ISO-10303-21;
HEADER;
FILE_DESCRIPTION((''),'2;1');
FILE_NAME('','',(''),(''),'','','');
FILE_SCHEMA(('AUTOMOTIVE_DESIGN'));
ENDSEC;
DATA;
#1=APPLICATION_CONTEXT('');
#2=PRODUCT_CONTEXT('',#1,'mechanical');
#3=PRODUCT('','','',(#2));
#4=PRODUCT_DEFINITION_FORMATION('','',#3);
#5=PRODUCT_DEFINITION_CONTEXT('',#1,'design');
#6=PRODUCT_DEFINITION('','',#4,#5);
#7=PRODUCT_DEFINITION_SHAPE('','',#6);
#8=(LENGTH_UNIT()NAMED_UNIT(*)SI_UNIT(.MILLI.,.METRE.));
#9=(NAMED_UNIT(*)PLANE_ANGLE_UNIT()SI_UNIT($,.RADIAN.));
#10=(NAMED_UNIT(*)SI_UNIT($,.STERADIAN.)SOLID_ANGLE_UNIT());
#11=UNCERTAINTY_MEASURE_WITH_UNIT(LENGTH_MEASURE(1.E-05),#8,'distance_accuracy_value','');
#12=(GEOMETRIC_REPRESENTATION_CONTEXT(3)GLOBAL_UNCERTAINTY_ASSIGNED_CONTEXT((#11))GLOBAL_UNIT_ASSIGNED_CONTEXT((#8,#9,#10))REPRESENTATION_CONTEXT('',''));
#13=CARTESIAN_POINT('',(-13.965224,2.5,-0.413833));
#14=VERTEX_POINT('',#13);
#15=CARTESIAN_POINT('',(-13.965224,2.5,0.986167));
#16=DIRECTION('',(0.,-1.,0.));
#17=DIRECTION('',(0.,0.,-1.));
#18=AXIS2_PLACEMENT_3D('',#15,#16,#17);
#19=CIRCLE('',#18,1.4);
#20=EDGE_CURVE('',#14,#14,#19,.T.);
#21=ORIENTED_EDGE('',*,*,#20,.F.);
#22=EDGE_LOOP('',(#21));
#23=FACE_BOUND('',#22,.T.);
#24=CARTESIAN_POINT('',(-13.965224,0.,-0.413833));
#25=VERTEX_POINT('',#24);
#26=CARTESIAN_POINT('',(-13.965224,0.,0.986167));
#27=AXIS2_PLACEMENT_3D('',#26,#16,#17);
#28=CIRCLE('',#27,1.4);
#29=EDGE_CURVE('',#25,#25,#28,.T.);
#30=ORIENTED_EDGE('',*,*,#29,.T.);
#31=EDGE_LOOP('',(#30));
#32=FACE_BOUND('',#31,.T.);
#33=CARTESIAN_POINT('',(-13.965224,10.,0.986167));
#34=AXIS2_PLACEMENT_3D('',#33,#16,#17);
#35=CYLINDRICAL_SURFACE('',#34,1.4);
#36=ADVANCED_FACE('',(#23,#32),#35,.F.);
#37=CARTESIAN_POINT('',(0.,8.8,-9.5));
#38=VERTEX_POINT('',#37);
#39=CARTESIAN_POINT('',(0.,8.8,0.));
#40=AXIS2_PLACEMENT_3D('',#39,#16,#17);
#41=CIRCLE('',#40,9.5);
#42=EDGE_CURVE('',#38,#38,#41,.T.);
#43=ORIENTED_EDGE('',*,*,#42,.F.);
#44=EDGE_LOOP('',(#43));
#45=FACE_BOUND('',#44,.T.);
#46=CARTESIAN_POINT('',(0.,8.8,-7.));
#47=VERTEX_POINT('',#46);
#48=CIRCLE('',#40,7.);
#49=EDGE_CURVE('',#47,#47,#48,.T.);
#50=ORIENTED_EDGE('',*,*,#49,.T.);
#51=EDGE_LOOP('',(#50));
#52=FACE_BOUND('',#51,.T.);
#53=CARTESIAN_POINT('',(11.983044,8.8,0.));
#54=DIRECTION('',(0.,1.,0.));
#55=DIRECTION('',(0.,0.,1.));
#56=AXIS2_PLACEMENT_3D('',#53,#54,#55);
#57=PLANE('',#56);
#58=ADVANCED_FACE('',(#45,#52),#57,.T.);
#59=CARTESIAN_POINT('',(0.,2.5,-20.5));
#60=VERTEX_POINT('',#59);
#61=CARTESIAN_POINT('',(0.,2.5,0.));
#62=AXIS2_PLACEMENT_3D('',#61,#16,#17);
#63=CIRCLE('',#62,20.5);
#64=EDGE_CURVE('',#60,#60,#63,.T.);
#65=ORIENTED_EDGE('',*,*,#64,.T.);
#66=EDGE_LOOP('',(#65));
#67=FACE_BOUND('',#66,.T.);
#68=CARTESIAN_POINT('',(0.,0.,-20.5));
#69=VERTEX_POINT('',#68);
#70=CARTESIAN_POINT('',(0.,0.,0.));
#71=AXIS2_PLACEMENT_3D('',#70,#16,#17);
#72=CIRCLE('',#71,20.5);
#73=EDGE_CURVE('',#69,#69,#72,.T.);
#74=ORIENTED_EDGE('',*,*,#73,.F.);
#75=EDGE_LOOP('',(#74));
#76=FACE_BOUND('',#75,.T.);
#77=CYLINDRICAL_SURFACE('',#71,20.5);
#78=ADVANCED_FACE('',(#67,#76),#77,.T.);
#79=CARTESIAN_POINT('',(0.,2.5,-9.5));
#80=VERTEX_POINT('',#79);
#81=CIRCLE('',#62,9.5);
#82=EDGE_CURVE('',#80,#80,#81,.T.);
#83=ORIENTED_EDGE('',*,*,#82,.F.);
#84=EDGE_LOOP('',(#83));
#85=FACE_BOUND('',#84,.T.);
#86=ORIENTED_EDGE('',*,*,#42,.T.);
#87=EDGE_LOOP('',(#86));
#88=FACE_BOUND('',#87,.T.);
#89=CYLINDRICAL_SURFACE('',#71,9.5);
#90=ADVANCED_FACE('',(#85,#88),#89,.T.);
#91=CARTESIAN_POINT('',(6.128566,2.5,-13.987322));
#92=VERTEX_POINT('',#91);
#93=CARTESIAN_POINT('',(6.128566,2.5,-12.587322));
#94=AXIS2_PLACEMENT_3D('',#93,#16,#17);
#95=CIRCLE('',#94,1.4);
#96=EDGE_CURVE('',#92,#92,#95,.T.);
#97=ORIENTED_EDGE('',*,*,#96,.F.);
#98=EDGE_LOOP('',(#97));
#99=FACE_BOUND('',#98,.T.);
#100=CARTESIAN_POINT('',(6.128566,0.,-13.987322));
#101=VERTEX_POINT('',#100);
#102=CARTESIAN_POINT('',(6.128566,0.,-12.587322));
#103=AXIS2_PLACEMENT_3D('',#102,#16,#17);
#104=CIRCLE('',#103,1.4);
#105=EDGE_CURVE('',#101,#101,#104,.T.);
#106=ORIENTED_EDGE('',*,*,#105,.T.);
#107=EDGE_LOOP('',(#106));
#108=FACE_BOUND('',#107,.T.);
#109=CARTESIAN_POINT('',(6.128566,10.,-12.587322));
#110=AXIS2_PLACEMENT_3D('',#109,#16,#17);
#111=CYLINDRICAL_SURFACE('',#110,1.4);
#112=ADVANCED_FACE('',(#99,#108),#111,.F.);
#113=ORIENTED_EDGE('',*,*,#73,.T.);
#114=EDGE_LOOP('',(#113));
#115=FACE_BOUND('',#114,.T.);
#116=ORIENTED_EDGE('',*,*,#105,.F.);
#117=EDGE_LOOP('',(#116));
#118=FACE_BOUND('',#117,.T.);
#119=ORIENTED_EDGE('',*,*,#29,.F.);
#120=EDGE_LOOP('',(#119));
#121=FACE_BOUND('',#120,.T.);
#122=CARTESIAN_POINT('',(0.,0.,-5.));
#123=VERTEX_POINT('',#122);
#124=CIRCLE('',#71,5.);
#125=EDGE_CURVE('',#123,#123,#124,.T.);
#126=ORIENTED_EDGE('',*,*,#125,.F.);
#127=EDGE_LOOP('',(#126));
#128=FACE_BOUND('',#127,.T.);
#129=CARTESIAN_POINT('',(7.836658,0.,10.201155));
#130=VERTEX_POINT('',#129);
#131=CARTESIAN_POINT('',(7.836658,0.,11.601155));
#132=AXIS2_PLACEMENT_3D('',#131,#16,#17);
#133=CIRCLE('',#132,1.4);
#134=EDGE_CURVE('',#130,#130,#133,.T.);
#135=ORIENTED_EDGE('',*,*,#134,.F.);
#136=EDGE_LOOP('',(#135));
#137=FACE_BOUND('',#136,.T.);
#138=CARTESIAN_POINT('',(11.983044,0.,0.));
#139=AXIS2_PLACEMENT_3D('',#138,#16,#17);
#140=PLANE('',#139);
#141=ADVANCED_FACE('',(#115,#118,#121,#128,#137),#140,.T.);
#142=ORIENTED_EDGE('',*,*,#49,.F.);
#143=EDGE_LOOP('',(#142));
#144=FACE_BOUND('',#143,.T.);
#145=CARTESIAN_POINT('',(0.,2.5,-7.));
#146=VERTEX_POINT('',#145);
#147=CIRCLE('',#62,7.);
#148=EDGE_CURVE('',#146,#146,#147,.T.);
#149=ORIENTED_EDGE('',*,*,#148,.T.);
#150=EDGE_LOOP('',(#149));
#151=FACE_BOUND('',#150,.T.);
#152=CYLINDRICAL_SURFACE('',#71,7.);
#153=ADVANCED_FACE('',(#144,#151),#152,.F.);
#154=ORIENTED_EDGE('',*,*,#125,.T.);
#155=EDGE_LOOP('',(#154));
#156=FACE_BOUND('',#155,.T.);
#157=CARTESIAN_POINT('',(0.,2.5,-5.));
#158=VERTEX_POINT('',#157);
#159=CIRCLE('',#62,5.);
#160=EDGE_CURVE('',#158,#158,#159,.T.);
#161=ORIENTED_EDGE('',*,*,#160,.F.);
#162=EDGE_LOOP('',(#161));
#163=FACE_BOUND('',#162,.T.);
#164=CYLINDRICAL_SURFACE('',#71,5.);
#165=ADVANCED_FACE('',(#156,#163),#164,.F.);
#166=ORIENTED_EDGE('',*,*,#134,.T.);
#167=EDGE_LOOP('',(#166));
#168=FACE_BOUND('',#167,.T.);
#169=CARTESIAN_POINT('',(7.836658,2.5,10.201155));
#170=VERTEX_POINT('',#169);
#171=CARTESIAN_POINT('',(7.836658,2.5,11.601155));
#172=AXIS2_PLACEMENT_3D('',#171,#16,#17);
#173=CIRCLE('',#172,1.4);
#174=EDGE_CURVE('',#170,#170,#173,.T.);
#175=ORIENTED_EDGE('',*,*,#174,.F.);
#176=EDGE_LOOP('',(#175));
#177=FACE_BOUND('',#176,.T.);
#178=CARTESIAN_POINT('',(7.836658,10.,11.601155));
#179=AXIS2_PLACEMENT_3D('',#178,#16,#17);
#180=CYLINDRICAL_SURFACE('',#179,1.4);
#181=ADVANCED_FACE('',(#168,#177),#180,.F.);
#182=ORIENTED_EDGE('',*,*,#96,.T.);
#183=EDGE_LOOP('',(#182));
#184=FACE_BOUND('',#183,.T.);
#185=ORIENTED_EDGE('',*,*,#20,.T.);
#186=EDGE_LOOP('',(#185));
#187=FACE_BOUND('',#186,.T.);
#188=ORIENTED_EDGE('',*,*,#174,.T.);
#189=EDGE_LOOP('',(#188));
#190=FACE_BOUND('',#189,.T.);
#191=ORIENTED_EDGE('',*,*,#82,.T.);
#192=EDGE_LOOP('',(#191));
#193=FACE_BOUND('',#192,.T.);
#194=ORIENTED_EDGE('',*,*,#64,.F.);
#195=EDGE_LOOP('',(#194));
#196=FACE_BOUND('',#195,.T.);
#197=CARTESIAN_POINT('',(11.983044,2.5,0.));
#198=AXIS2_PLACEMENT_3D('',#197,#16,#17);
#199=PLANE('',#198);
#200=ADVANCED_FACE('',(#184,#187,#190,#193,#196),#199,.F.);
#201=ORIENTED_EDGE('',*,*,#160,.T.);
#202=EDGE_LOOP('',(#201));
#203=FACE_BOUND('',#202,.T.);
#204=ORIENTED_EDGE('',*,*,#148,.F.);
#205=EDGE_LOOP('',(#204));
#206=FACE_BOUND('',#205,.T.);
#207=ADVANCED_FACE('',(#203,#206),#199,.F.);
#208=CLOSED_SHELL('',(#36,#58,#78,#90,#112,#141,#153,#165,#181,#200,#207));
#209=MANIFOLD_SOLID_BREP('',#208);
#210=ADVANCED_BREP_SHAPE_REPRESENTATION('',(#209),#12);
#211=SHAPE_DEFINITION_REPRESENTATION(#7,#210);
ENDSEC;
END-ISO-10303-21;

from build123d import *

# Parameters (mm, degrees)
ESQUISSE1_W      = 15.5
ESQUISSE1_H      = 2.5
ESQUISSE1_W_2    = 2.5
ESQUISSE1_H_2    = 6.3
ESQUISSE2_R      = 1.4
EXTRUSION1_DEPTH = 10


with BuildPart() as part:
    # Esquisse1 → Révolution1 (revolve)
    with BuildSketch(Plane.XY, mode=Mode.PRIVATE) as r_volution1_sk:
        with Locations((12.75, 1.25)):
            Rectangle(ESQUISSE1_W, ESQUISSE1_H)
        with Locations((8.25, 5.65)):
            Rectangle(ESQUISSE1_W_2, ESQUISSE1_H_2)
    revolve(r_volution1_sk.sketch.rotate(Axis((0, 0, 0), (0, 1, 0)), 90), axis=Axis((0, 0, 0), (0, 1, 0)))

    # Esquisse2 → Extrusion1 (cut)
    with BuildSketch(Plane.XZ):
        with Locations(Location((-13.965223749, 0.986167141, 0), (0, 0, 270))):
            Circle(ESQUISSE2_R)
        with Locations(Location((7.836657671, 11.601154966, 0), (0, 0, 270))):
            Circle(ESQUISSE2_R)
        with Locations(Location((6.128566078, -12.587322107, 0), (0, 0, 270))):
            Circle(ESQUISSE2_R)
    extrude(amount=-EXTRUSION1_DEPTH, mode=Mode.SUBTRACT)


solid = part.part
